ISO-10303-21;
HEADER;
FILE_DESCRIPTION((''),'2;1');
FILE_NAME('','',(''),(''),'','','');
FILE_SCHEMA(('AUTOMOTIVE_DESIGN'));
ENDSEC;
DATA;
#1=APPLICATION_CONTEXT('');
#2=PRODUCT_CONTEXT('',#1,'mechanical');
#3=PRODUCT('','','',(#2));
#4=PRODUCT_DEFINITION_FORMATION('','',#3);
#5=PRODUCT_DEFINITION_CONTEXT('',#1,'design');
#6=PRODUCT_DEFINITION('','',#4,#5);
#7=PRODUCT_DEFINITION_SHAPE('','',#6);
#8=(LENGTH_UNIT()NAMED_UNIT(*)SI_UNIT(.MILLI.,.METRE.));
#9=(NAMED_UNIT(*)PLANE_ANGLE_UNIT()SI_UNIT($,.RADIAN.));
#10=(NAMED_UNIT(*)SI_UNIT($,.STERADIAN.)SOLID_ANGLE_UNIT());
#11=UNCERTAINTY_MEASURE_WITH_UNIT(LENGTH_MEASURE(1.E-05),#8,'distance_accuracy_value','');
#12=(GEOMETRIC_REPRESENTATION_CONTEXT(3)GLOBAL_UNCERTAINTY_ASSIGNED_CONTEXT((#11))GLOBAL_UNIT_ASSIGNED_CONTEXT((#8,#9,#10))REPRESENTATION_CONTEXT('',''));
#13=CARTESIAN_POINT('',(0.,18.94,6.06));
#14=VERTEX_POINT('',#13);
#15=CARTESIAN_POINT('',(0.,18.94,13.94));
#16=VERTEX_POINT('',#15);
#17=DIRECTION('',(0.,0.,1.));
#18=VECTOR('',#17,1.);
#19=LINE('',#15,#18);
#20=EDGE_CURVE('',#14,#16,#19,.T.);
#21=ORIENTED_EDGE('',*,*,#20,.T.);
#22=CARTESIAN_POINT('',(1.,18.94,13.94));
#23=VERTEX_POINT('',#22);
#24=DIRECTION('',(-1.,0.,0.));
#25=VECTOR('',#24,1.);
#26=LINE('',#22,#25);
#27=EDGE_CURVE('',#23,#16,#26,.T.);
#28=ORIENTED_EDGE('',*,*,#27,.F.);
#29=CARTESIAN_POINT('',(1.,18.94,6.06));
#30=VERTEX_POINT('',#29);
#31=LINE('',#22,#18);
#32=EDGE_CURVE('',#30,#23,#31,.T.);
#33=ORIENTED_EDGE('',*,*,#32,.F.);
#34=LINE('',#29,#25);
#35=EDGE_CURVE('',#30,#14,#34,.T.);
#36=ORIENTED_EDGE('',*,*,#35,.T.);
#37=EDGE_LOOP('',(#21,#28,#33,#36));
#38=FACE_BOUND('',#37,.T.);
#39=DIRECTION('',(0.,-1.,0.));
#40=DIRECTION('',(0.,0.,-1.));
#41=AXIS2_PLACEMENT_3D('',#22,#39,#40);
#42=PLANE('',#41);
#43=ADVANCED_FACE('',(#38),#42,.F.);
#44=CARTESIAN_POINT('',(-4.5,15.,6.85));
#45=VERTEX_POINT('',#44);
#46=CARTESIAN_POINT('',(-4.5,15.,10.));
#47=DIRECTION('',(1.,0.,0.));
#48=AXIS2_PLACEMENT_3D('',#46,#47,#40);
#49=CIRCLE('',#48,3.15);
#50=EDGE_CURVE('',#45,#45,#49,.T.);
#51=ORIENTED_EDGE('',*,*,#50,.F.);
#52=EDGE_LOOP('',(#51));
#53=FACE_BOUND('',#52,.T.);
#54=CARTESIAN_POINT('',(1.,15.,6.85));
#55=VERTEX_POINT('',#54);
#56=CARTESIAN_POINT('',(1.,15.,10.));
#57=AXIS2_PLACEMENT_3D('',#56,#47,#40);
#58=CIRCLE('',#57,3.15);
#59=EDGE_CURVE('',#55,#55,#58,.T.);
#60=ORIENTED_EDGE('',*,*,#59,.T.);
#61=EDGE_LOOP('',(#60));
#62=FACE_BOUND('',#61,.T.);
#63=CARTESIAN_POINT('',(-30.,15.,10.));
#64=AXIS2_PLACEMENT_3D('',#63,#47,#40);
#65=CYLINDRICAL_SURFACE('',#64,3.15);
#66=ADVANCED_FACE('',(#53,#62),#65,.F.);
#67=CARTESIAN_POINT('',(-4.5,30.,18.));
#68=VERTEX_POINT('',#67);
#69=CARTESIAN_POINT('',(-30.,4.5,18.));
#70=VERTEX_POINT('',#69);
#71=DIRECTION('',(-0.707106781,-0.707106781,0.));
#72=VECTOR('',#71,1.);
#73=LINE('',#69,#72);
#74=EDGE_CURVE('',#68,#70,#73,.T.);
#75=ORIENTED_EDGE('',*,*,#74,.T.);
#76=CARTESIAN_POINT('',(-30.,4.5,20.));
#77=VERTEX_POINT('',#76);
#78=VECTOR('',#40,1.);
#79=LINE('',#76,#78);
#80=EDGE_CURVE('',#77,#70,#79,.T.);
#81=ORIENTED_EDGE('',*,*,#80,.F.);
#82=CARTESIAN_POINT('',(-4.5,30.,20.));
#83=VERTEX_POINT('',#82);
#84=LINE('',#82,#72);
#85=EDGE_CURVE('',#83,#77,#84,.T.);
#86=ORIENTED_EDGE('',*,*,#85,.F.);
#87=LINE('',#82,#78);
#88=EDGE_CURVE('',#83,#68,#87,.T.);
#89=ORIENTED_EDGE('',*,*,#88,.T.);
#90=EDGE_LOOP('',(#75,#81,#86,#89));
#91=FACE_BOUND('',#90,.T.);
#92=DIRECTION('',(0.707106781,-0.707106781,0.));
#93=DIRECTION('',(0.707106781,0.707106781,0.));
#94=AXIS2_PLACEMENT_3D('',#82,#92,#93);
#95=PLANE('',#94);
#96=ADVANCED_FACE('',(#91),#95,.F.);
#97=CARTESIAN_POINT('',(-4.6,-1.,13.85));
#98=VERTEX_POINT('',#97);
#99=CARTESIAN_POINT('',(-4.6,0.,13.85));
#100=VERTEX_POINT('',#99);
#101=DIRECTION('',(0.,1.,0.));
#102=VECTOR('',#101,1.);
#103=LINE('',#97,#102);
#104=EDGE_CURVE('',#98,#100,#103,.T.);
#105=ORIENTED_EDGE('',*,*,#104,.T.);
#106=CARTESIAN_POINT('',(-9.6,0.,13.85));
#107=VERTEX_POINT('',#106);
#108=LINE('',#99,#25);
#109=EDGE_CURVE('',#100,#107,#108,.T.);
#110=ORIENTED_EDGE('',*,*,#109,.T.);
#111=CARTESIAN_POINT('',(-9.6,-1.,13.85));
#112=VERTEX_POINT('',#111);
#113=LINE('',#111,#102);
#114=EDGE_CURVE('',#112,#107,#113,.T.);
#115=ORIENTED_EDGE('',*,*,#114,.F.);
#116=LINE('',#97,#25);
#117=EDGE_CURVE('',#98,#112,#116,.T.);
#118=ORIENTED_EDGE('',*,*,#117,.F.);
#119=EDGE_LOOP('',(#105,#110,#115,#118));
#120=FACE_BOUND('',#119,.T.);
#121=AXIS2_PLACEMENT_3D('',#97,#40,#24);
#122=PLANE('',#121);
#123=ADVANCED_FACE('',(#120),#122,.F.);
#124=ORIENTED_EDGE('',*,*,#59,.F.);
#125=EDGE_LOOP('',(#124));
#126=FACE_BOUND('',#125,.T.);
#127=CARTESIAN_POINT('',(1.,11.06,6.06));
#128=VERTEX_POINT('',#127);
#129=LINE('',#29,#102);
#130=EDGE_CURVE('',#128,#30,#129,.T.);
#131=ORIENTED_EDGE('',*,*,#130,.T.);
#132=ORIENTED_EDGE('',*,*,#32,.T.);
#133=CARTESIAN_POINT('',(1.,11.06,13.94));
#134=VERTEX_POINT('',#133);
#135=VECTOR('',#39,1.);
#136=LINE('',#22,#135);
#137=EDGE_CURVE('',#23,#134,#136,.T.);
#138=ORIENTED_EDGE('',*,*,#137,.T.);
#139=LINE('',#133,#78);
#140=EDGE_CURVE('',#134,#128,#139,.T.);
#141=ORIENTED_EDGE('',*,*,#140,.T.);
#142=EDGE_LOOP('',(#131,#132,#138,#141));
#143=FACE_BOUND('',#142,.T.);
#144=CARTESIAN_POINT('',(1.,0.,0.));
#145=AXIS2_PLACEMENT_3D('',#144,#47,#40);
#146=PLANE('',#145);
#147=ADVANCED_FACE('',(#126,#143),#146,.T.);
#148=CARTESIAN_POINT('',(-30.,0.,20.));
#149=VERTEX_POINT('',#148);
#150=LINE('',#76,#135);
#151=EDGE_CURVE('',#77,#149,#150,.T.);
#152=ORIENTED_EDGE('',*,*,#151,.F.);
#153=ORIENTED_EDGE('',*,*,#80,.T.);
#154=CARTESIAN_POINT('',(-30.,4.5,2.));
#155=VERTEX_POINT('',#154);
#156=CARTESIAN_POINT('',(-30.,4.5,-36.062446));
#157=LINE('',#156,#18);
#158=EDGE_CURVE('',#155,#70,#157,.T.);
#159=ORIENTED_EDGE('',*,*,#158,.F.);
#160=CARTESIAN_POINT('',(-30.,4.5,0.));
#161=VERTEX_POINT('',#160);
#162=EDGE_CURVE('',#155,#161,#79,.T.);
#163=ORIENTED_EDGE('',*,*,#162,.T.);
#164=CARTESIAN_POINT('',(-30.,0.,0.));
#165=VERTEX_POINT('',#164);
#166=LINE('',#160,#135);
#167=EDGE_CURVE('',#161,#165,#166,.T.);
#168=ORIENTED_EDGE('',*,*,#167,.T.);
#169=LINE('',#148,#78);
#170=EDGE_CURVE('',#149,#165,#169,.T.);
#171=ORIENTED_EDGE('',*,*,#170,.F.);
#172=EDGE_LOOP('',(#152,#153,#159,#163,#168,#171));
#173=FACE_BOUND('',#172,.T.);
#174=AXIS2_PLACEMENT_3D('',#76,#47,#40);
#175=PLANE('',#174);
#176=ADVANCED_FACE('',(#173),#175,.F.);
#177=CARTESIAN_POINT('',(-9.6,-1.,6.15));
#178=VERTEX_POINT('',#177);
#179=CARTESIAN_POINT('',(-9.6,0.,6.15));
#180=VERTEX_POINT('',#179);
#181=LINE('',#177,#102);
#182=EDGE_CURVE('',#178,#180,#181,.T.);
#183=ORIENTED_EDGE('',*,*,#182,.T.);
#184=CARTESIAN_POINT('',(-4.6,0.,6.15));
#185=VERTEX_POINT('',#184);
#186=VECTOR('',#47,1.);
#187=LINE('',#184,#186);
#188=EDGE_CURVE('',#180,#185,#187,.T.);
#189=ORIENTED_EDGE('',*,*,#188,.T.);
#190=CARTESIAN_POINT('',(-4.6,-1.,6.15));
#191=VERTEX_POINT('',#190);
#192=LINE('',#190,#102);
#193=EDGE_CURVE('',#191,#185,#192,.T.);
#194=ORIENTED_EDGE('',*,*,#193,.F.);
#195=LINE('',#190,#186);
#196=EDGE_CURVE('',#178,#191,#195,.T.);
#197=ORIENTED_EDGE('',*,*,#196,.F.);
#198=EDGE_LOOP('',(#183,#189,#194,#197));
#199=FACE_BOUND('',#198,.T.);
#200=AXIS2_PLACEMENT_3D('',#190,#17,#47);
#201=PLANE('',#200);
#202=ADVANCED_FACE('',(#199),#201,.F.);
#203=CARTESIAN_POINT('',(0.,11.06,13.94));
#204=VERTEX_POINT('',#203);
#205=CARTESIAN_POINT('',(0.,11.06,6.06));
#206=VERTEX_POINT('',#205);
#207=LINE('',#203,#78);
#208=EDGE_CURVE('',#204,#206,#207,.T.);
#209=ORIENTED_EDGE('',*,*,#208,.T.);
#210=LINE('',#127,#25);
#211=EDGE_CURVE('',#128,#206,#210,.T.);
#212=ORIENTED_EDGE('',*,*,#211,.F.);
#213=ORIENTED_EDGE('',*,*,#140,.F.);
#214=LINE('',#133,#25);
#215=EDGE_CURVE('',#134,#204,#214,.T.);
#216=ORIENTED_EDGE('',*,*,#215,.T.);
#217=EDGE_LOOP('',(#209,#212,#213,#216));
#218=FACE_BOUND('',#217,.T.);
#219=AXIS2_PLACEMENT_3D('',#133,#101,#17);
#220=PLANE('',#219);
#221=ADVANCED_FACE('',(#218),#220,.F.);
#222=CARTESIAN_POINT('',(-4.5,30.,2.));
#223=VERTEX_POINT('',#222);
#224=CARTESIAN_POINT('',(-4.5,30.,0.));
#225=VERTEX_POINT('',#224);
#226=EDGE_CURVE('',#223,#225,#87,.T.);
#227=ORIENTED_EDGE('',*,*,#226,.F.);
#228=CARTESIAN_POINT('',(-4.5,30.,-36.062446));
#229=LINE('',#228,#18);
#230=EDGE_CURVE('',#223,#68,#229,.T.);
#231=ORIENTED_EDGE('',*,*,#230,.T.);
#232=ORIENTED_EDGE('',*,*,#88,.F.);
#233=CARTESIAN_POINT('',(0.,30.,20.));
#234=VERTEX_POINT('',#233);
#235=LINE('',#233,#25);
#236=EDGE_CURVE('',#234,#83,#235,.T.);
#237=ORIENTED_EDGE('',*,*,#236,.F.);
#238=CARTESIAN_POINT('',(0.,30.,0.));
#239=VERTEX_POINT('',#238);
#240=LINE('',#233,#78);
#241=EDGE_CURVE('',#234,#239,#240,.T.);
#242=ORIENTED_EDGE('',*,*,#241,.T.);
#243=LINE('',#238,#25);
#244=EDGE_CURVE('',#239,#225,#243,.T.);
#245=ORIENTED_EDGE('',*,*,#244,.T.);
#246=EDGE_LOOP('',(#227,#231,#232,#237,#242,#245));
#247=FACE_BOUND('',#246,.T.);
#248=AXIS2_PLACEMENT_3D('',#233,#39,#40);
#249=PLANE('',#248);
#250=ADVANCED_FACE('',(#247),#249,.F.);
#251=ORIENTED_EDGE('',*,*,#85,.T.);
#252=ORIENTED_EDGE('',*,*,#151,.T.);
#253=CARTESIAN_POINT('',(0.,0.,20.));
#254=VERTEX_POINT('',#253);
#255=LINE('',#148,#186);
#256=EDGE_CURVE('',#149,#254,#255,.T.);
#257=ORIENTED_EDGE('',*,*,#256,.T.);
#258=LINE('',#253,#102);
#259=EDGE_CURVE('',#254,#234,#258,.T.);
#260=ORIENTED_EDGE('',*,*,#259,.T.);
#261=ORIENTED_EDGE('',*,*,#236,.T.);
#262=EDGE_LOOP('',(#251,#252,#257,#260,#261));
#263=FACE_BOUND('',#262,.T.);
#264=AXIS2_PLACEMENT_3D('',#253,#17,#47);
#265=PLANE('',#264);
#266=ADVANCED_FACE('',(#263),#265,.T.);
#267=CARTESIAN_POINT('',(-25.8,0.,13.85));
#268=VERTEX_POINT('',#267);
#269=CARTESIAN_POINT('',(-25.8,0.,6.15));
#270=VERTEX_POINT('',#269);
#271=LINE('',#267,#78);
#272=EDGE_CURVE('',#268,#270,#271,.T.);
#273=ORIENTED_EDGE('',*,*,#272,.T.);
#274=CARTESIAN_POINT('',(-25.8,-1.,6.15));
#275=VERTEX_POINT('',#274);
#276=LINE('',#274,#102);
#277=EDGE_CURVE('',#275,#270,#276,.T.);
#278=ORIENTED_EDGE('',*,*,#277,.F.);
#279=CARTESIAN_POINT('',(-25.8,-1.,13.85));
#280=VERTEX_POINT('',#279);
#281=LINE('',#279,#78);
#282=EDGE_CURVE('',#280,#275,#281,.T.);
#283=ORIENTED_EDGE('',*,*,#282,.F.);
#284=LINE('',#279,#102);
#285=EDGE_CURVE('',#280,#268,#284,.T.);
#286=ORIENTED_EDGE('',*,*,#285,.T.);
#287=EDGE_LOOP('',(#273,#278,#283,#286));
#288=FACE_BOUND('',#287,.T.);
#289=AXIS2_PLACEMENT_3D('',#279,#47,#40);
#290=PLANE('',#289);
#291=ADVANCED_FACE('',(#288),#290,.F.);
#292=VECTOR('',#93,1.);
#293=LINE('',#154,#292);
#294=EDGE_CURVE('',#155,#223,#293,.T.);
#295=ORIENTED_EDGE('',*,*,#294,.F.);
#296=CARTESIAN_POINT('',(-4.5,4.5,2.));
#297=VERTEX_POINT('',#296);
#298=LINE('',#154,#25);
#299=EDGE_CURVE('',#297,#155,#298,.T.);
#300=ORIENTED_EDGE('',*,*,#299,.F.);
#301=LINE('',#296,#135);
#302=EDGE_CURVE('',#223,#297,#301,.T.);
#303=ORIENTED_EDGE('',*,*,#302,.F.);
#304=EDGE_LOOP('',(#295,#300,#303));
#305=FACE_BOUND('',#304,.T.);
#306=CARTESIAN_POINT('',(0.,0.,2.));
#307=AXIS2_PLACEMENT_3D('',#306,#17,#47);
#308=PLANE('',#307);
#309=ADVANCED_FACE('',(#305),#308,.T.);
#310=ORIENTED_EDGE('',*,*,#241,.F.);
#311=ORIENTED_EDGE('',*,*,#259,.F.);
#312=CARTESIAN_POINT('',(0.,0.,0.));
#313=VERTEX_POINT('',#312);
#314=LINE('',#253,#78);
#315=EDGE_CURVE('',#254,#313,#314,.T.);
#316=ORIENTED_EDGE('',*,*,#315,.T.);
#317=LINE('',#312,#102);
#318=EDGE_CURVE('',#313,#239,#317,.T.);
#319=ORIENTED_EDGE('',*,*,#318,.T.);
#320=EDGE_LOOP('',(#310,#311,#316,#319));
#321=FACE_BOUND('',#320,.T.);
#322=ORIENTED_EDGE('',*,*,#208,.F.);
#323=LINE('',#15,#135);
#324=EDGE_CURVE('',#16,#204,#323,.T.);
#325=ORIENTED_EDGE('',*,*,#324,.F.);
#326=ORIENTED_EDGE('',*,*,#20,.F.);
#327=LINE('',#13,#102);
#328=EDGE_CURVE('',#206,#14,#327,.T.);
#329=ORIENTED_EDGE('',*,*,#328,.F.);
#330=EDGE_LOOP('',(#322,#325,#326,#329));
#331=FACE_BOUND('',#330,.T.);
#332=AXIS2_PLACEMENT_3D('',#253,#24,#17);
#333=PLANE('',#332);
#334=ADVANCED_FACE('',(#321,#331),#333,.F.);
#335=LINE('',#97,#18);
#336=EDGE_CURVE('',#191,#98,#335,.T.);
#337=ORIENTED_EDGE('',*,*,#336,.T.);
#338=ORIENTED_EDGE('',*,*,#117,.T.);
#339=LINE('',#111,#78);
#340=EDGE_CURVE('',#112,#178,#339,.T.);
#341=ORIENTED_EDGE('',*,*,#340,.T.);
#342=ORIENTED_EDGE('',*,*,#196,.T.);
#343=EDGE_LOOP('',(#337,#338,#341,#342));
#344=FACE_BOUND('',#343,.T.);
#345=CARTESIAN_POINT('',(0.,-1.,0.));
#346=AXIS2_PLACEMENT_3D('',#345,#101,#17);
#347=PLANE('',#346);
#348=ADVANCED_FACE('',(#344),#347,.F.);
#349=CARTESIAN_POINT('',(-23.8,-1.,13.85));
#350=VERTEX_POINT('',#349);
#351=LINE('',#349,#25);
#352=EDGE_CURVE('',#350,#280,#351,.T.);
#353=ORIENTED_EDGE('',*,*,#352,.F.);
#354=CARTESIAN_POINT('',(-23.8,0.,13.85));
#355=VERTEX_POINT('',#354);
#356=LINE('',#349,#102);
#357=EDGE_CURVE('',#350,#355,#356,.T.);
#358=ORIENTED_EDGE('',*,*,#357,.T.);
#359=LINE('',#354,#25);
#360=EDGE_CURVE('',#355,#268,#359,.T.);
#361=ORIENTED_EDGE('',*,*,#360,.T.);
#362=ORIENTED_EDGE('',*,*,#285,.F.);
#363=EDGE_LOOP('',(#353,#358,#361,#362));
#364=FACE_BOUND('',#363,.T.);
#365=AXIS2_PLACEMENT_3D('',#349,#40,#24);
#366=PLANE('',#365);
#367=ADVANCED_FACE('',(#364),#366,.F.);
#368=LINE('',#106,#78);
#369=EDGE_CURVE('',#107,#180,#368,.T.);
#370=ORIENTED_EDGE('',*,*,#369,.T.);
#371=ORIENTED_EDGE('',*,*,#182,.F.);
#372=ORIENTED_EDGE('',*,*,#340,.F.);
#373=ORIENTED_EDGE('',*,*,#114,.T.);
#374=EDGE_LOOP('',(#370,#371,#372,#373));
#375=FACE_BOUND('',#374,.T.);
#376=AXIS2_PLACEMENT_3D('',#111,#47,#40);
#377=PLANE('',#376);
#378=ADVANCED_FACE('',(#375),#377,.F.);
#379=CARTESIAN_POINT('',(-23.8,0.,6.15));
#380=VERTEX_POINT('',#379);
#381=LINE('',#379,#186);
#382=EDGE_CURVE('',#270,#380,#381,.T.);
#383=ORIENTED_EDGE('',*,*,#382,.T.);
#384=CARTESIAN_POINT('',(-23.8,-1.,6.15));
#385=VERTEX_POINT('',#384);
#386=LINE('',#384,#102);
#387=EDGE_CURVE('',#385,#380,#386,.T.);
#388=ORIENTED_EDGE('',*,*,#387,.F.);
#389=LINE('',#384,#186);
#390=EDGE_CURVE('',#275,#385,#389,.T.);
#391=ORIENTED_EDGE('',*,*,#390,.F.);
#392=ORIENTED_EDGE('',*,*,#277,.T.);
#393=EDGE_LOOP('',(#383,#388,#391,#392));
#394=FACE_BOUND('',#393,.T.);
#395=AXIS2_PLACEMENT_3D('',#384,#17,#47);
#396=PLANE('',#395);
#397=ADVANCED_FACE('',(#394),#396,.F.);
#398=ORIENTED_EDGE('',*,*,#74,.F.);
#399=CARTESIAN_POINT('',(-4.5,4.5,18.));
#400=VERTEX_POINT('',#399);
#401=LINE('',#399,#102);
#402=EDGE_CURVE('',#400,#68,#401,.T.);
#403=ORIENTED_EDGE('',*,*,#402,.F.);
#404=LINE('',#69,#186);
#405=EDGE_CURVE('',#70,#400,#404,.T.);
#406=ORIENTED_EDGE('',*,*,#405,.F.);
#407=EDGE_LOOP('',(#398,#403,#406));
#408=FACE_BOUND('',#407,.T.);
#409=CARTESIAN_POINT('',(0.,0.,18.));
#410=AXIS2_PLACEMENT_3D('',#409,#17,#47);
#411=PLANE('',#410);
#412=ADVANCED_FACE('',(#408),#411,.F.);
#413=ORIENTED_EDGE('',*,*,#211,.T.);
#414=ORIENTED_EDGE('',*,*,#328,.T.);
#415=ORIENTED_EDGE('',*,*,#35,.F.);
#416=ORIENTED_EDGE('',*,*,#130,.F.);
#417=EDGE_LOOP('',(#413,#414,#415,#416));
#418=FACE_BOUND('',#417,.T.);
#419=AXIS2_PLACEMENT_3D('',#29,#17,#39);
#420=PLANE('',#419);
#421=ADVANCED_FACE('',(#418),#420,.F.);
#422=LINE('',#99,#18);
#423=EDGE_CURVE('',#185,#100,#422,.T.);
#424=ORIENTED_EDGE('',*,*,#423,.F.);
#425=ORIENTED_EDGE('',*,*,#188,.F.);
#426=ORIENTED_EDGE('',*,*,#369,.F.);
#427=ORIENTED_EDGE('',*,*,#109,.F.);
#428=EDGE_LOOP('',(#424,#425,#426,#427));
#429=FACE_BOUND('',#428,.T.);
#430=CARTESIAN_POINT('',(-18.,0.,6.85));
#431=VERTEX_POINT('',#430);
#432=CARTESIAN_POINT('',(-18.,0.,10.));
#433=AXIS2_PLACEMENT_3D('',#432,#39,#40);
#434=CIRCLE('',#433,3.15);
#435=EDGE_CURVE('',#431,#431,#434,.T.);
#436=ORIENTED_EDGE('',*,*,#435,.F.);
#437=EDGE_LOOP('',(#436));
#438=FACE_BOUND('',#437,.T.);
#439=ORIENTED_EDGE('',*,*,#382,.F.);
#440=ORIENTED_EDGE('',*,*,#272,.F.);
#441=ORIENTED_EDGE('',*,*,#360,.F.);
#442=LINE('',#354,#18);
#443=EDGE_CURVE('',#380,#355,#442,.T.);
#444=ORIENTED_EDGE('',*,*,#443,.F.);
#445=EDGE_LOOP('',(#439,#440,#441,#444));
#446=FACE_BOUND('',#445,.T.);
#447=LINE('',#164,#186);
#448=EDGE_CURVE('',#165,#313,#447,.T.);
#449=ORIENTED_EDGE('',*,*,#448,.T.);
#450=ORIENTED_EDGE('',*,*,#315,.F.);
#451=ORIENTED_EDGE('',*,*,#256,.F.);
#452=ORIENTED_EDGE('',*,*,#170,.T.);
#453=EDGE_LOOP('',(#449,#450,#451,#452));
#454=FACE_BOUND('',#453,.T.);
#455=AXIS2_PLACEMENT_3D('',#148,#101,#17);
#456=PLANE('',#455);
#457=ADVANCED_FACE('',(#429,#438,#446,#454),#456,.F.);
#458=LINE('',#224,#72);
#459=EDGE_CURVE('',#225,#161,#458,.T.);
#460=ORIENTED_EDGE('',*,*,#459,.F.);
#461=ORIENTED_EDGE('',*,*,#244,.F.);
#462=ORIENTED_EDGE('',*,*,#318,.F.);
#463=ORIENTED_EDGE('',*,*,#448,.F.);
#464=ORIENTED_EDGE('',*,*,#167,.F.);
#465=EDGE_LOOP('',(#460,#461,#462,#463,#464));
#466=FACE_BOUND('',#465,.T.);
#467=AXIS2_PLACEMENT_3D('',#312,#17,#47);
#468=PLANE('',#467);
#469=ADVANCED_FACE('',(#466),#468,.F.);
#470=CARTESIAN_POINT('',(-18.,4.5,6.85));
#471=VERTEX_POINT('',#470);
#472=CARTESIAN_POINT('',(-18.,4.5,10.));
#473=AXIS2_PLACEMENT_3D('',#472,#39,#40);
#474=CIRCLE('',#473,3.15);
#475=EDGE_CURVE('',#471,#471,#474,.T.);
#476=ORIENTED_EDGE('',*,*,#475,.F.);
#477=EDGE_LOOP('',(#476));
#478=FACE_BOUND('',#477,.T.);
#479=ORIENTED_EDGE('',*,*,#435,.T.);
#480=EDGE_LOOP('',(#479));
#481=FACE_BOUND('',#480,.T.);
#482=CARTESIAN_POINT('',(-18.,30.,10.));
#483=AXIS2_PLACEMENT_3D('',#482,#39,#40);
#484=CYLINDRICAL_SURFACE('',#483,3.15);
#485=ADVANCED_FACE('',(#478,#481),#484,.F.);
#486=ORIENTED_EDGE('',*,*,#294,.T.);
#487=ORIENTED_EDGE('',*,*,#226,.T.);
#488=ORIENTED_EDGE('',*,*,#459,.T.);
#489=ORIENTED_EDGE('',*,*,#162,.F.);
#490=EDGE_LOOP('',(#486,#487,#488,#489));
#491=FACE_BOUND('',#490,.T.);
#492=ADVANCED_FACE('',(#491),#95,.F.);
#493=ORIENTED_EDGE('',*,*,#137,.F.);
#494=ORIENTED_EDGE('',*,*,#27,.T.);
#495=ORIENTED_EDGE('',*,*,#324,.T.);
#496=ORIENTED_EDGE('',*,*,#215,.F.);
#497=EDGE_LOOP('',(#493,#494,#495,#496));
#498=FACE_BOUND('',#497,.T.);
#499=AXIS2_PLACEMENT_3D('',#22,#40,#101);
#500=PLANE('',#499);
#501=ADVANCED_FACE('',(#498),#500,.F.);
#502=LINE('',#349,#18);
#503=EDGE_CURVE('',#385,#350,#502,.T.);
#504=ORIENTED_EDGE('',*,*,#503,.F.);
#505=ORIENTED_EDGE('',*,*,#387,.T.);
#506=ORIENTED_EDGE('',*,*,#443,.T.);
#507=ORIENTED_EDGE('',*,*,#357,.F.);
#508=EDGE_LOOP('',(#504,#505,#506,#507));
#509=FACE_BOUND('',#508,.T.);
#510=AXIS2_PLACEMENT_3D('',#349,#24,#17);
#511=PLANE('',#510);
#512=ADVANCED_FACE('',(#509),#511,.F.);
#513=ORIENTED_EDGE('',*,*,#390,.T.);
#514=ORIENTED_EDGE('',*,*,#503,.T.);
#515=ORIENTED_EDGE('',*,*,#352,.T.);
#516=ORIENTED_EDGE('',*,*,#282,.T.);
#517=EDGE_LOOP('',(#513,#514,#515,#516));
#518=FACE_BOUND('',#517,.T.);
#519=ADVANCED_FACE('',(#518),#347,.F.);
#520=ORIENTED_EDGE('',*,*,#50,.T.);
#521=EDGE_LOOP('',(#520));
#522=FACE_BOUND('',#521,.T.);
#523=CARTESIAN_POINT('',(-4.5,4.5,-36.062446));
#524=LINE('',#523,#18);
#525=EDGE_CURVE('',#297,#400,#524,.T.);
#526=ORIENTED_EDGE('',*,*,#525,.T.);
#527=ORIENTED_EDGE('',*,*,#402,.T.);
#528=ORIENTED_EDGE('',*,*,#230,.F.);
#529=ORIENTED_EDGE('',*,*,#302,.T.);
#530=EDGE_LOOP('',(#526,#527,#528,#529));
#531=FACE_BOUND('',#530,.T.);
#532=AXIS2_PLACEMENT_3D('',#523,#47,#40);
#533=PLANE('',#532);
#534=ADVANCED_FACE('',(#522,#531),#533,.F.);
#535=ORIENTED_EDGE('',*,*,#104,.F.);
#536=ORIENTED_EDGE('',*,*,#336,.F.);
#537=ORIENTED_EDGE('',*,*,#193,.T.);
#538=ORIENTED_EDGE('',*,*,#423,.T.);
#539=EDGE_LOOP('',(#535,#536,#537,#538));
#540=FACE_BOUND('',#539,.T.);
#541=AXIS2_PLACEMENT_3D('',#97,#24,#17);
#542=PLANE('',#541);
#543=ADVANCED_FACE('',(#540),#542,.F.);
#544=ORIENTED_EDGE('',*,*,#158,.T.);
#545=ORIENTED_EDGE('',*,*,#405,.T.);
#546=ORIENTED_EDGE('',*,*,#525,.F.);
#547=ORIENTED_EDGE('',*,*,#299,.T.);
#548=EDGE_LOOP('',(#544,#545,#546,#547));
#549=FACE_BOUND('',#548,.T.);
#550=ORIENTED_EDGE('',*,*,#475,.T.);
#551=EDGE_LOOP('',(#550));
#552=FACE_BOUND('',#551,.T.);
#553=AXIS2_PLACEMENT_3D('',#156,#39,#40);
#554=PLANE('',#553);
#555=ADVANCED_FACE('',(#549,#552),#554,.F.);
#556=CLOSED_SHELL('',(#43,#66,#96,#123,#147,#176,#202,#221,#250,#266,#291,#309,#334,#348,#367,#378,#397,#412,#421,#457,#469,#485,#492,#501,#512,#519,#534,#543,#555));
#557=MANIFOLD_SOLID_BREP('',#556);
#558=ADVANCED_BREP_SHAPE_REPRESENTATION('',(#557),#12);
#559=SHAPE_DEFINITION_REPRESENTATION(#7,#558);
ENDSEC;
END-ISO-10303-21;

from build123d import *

# Parameters (mm, degrees)
BOSS_EXTRUDE1_DEPTH = 20
CUT_EXTRUDE1_START  = -2
CUT_EXTRUDE1_DEPTH  = 16
SKETCH3_W           = 7.88
SKETCH3_H           = 7.88
BOSS_EXTRUDE2_DEPTH = 1
SKETCH4_R           = 3.15
CUT_EXTRUDE2_DEPTH  = 48.549973712
SKETCH5_W           = 2
SKETCH5_H           = 7.7
SKETCH5_W_2         = 5
BOSS_EXTRUDE3_DEPTH = 1
SKETCH6_R           = 3.15
CUT_EXTRUDE3_DEPTH  = 47.904157598


with BuildPart() as part:
    # Sketch1 → Boss-Extrude1 (new body)
    with BuildSketch(Plane.XY):
        Polygon((0, 0), (0, 30), (-4.5, 30), (-30, 4.5), (-30, 0), align=None)
    extrude(amount=BOSS_EXTRUDE1_DEPTH)

    # Sketch2 → Cut-Extrude1 (cut)
    with BuildSketch(Plane.XY.offset(20).offset(CUT_EXTRUDE1_START)):
        Polygon((-30, 4.5), (-4.5, 4.5), (-4.5, 30), align=None)
    extrude(amount=-CUT_EXTRUDE1_DEPTH, mode=Mode.SUBTRACT)

    # Sketch3 → Boss-Extrude2 (add)
    with BuildSketch(Plane(origin=(0, 0, 0), x_dir=(0, 0, -1), z_dir=(1, 0, 0))):
        with Locations((-10, 15)):
            Rectangle(SKETCH3_W, SKETCH3_H)
    extrude(amount=BOSS_EXTRUDE2_DEPTH)

    # Sketch4 → Cut-Extrude2 (cut, through all)
    with BuildSketch(Plane(origin=(1, 0, 0), x_dir=(0, 0, -1), z_dir=(1, 0, 0))):
        with Locations((-10, 15)):
            Circle(SKETCH4_R)
    extrude(amount=-CUT_EXTRUDE2_DEPTH, mode=Mode.SUBTRACT)

    # Sketch5 → Boss-Extrude3 (add)
    with BuildSketch(Plane.XZ):
        with Locations((-24.8, 10)):
            Rectangle(SKETCH5_W, SKETCH5_H)
        with Locations((-7.1, 10)):
            Rectangle(SKETCH5_W_2, SKETCH5_H)
    extrude(amount=BOSS_EXTRUDE3_DEPTH)

    # Sketch6 → Cut-Extrude3 (cut, through all)
    with BuildSketch(Plane.XZ):
        with Locations(Location((-18, 10, 0), (0, 0, 270))):
            Circle(SKETCH6_R)
    extrude(amount=-CUT_EXTRUDE3_DEPTH, mode=Mode.SUBTRACT)


solid = part.part
